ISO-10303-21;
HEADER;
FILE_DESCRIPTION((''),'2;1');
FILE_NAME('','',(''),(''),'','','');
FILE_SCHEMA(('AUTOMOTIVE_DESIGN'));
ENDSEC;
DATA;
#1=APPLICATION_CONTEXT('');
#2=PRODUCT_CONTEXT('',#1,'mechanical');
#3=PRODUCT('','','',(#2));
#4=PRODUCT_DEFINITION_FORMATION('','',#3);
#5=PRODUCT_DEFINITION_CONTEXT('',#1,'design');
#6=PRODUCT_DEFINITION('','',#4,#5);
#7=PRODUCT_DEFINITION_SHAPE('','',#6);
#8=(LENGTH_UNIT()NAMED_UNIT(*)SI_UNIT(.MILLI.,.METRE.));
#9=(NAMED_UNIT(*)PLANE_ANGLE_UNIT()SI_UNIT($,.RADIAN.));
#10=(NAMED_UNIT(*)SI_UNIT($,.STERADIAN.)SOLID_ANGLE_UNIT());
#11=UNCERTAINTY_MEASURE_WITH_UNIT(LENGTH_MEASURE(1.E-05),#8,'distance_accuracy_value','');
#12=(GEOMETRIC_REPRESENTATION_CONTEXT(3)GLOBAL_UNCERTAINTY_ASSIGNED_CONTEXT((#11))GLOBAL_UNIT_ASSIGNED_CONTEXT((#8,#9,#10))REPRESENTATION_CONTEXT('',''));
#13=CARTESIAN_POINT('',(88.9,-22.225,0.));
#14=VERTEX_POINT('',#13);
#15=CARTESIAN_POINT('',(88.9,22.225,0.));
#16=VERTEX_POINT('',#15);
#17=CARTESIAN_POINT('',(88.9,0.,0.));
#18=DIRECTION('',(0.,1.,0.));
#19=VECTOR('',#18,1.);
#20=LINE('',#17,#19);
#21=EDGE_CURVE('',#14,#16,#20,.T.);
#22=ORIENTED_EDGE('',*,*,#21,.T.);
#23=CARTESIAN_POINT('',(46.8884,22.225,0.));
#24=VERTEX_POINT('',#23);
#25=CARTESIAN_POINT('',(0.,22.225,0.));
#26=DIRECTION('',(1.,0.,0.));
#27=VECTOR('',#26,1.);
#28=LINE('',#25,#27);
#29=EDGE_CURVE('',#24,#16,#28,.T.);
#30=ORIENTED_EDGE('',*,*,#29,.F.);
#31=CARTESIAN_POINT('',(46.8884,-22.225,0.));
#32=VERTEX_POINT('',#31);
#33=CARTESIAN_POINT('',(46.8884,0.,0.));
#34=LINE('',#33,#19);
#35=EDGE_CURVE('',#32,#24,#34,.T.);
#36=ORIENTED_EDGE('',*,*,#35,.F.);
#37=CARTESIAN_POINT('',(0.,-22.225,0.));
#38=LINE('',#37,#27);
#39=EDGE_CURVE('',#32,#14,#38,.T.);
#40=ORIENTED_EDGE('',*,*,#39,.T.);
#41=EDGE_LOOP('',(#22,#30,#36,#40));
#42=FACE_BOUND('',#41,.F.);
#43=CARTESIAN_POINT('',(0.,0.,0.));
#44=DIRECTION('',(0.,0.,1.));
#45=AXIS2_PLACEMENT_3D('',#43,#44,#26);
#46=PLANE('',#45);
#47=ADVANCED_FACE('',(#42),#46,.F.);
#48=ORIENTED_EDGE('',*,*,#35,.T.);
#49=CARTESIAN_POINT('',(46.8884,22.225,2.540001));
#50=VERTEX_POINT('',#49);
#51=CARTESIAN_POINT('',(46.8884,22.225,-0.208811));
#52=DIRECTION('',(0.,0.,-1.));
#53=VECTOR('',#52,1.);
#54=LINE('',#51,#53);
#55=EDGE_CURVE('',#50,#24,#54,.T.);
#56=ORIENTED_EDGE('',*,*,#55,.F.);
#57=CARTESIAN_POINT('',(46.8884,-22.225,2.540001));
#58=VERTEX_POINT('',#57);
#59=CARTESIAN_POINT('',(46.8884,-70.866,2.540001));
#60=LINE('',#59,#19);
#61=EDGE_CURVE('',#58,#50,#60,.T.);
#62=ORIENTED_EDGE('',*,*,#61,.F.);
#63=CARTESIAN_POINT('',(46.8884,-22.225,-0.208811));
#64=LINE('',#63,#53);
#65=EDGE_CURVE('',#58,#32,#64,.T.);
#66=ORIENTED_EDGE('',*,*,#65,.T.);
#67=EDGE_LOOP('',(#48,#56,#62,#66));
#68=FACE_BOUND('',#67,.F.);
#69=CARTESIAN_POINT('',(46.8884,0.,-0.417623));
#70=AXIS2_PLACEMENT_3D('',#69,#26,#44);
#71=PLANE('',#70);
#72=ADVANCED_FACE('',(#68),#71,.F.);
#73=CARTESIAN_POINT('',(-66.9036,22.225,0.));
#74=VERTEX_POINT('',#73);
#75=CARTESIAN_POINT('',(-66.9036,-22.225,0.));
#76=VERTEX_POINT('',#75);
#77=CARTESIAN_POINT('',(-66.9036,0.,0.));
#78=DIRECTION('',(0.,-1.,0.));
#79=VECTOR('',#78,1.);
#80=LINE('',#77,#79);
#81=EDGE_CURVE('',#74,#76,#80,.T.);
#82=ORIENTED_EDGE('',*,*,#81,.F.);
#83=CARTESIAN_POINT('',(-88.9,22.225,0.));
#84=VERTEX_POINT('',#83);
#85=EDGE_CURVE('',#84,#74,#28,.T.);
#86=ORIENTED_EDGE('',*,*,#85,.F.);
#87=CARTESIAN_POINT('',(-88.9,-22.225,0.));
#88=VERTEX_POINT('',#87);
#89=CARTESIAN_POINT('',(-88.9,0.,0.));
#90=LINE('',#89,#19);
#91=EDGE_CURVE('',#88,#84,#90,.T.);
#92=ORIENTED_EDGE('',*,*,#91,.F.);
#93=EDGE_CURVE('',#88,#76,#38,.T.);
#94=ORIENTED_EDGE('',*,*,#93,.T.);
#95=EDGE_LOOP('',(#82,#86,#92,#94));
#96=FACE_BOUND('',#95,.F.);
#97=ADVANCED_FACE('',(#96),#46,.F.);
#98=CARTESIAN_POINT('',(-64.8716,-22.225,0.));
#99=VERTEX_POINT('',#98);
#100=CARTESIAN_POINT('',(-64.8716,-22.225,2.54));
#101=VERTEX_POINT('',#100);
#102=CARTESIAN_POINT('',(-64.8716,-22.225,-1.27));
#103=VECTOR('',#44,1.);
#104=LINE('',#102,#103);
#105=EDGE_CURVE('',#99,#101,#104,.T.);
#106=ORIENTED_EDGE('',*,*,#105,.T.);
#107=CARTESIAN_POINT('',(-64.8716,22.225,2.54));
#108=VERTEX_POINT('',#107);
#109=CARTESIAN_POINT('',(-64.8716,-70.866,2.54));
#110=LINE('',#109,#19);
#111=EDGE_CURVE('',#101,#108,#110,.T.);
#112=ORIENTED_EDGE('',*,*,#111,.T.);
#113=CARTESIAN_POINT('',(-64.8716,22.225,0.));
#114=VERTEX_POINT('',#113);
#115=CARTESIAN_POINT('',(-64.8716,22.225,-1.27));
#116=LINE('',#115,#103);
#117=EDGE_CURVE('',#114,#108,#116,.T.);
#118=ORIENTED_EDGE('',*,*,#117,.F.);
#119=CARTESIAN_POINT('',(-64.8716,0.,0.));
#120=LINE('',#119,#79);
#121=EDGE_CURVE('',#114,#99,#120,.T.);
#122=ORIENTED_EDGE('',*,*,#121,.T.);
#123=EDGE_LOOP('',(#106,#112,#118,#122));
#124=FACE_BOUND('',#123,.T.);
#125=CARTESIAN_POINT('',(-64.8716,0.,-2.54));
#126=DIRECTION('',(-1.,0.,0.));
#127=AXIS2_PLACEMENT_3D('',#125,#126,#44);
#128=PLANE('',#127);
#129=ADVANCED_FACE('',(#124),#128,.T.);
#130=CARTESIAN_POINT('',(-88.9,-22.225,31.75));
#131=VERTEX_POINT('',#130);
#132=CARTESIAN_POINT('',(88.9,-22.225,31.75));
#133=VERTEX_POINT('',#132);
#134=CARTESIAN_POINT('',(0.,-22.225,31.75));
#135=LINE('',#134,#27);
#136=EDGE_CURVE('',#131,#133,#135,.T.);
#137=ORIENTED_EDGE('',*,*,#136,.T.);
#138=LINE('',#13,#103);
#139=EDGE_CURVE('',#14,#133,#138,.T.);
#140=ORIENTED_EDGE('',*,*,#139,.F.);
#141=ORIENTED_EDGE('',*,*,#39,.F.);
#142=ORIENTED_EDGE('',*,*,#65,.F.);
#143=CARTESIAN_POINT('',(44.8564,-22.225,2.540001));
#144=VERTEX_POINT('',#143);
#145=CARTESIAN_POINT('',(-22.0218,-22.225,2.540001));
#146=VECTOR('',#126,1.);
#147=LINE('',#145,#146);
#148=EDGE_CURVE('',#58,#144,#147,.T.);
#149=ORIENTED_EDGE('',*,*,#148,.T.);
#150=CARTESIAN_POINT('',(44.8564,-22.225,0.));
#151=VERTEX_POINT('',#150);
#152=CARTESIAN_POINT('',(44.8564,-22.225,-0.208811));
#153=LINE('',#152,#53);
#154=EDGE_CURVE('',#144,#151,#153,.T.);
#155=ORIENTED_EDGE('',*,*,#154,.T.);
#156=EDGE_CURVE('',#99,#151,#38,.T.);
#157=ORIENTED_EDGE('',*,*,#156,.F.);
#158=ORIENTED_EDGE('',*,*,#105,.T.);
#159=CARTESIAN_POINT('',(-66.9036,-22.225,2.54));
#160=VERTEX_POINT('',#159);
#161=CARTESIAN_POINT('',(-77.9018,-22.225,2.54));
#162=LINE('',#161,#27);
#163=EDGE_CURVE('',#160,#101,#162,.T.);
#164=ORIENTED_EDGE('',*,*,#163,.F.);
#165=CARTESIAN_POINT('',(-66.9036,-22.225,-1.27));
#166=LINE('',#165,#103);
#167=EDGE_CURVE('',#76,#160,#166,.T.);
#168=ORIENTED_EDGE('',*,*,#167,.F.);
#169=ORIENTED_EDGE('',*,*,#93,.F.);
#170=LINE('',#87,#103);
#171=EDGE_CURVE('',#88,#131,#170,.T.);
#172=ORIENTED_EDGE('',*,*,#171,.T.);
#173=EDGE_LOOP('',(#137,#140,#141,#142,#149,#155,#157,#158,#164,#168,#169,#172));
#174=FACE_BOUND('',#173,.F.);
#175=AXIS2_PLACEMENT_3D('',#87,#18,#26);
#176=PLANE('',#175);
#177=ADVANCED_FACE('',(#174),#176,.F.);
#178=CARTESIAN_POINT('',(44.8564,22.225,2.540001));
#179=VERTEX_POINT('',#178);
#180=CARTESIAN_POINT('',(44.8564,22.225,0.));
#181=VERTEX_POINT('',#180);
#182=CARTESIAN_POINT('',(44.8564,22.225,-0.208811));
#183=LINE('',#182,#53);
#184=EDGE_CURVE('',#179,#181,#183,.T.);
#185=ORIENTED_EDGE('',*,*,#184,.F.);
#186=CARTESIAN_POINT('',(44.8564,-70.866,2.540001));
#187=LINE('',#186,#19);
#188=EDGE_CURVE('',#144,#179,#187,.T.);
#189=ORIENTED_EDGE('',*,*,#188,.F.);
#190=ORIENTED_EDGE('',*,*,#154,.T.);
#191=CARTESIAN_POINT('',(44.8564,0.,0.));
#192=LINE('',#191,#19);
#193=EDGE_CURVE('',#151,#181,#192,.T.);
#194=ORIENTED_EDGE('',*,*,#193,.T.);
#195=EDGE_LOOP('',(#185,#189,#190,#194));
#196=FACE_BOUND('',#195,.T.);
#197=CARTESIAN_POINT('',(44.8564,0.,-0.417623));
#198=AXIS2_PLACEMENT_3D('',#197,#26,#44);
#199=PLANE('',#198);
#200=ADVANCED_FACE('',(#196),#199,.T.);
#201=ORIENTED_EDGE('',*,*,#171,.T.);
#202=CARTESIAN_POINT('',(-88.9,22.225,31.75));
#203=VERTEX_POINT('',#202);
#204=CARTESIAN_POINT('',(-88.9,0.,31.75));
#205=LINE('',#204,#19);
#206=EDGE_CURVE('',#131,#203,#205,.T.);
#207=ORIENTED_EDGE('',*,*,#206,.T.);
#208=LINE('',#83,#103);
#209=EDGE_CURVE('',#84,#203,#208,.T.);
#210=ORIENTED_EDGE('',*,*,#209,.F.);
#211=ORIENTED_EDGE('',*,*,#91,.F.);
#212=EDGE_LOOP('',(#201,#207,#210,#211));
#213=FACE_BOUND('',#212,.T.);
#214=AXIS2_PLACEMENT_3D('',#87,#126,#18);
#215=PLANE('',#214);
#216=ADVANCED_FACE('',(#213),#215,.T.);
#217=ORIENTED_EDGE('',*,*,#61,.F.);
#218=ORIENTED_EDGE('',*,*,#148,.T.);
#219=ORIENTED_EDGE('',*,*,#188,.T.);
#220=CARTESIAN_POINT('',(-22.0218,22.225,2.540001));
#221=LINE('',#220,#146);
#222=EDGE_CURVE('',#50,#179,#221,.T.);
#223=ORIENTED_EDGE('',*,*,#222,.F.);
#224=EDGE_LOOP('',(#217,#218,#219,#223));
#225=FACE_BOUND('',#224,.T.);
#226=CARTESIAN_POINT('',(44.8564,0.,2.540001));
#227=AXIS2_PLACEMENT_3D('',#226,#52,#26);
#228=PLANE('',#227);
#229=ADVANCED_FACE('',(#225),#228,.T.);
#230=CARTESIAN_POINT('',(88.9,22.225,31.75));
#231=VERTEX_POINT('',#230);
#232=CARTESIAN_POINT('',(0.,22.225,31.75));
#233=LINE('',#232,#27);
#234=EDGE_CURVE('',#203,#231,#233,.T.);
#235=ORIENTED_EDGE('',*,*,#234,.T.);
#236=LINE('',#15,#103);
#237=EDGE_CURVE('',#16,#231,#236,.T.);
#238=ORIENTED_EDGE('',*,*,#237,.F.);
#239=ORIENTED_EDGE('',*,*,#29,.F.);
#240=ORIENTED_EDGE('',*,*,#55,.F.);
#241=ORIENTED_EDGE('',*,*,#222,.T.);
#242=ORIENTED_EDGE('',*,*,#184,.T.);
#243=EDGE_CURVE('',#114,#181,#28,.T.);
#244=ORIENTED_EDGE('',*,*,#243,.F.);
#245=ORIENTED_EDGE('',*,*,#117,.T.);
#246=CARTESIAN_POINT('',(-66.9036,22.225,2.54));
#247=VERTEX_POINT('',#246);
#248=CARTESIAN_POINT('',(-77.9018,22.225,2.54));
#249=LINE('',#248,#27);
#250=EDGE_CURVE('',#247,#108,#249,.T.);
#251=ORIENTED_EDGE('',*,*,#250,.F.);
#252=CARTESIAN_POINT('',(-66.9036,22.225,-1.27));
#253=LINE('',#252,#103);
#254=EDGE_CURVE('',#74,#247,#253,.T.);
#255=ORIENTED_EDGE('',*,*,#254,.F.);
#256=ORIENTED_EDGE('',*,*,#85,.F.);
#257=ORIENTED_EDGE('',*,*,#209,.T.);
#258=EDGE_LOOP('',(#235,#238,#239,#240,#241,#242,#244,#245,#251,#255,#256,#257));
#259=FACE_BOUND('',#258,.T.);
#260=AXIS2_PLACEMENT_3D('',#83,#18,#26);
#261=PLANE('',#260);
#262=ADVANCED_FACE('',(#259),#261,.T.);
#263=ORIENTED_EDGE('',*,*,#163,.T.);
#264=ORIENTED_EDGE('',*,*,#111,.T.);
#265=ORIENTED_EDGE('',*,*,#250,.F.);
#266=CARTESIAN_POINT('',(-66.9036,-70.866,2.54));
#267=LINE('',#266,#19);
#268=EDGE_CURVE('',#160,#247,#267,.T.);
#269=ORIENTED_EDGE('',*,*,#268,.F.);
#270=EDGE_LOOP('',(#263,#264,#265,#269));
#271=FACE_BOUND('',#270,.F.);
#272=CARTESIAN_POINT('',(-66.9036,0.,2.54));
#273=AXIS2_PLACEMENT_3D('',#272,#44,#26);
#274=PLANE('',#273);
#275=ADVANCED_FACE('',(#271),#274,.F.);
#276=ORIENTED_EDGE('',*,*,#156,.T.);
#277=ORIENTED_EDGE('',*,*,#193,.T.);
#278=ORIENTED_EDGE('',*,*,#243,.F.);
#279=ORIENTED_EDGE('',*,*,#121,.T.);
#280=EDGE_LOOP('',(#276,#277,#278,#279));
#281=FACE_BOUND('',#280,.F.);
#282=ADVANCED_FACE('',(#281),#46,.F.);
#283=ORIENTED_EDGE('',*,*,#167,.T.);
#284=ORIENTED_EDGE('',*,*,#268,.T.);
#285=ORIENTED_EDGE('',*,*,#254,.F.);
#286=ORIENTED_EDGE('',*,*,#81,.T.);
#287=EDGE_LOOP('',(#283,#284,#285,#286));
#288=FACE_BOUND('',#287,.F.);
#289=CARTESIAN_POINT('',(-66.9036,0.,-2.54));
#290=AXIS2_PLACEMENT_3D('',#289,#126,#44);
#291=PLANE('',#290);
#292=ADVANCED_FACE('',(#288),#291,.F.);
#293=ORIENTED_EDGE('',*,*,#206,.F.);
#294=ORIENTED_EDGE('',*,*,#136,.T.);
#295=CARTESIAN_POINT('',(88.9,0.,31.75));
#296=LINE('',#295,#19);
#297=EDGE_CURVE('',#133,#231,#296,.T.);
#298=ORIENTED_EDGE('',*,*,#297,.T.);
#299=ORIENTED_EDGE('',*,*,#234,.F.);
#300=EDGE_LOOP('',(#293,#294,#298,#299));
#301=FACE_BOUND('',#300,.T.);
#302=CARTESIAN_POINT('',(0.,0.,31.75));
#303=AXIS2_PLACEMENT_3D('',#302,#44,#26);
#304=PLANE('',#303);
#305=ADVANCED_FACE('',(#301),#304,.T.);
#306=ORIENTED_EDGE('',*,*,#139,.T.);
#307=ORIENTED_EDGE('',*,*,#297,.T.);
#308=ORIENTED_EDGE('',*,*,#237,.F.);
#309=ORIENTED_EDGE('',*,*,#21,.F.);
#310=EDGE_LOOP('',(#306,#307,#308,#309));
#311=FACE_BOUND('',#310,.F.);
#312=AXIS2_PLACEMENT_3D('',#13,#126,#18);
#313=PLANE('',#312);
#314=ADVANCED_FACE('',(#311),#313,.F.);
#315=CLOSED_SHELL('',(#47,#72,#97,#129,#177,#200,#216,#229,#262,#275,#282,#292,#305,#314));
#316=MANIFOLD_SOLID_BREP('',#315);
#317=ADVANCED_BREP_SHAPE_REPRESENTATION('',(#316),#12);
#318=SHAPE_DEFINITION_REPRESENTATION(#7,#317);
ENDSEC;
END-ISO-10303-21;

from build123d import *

# Parameters (mm, degrees)
F0_W     = 177.8
F0_H     = 44.45
F1_DEPTH = 31.75
F2_W     = 2.032
F2_H     = 5.08
F2_H_2   = 2.957623
F3_DEPTH = 70.866


with BuildPart() as f1:
    # F0 (on Top) → F1 (new body)
    with BuildSketch(Plane.XY):
        Rectangle(F0_W, F0_H)
    extrude(amount=F1_DEPTH)

    # F2 (on Front) → F3 (cut, symmetric)
    with BuildSketch(Plane.XZ):
        with Locations((-65.8876, 0)):
            Rectangle(F2_W, F2_H)
        with Locations((45.8724, 1.061189)):
            Rectangle(F2_W, F2_H_2)
    extrude(amount=F3_DEPTH, both=True, mode=Mode.SUBTRACT)


solid = f1.part
